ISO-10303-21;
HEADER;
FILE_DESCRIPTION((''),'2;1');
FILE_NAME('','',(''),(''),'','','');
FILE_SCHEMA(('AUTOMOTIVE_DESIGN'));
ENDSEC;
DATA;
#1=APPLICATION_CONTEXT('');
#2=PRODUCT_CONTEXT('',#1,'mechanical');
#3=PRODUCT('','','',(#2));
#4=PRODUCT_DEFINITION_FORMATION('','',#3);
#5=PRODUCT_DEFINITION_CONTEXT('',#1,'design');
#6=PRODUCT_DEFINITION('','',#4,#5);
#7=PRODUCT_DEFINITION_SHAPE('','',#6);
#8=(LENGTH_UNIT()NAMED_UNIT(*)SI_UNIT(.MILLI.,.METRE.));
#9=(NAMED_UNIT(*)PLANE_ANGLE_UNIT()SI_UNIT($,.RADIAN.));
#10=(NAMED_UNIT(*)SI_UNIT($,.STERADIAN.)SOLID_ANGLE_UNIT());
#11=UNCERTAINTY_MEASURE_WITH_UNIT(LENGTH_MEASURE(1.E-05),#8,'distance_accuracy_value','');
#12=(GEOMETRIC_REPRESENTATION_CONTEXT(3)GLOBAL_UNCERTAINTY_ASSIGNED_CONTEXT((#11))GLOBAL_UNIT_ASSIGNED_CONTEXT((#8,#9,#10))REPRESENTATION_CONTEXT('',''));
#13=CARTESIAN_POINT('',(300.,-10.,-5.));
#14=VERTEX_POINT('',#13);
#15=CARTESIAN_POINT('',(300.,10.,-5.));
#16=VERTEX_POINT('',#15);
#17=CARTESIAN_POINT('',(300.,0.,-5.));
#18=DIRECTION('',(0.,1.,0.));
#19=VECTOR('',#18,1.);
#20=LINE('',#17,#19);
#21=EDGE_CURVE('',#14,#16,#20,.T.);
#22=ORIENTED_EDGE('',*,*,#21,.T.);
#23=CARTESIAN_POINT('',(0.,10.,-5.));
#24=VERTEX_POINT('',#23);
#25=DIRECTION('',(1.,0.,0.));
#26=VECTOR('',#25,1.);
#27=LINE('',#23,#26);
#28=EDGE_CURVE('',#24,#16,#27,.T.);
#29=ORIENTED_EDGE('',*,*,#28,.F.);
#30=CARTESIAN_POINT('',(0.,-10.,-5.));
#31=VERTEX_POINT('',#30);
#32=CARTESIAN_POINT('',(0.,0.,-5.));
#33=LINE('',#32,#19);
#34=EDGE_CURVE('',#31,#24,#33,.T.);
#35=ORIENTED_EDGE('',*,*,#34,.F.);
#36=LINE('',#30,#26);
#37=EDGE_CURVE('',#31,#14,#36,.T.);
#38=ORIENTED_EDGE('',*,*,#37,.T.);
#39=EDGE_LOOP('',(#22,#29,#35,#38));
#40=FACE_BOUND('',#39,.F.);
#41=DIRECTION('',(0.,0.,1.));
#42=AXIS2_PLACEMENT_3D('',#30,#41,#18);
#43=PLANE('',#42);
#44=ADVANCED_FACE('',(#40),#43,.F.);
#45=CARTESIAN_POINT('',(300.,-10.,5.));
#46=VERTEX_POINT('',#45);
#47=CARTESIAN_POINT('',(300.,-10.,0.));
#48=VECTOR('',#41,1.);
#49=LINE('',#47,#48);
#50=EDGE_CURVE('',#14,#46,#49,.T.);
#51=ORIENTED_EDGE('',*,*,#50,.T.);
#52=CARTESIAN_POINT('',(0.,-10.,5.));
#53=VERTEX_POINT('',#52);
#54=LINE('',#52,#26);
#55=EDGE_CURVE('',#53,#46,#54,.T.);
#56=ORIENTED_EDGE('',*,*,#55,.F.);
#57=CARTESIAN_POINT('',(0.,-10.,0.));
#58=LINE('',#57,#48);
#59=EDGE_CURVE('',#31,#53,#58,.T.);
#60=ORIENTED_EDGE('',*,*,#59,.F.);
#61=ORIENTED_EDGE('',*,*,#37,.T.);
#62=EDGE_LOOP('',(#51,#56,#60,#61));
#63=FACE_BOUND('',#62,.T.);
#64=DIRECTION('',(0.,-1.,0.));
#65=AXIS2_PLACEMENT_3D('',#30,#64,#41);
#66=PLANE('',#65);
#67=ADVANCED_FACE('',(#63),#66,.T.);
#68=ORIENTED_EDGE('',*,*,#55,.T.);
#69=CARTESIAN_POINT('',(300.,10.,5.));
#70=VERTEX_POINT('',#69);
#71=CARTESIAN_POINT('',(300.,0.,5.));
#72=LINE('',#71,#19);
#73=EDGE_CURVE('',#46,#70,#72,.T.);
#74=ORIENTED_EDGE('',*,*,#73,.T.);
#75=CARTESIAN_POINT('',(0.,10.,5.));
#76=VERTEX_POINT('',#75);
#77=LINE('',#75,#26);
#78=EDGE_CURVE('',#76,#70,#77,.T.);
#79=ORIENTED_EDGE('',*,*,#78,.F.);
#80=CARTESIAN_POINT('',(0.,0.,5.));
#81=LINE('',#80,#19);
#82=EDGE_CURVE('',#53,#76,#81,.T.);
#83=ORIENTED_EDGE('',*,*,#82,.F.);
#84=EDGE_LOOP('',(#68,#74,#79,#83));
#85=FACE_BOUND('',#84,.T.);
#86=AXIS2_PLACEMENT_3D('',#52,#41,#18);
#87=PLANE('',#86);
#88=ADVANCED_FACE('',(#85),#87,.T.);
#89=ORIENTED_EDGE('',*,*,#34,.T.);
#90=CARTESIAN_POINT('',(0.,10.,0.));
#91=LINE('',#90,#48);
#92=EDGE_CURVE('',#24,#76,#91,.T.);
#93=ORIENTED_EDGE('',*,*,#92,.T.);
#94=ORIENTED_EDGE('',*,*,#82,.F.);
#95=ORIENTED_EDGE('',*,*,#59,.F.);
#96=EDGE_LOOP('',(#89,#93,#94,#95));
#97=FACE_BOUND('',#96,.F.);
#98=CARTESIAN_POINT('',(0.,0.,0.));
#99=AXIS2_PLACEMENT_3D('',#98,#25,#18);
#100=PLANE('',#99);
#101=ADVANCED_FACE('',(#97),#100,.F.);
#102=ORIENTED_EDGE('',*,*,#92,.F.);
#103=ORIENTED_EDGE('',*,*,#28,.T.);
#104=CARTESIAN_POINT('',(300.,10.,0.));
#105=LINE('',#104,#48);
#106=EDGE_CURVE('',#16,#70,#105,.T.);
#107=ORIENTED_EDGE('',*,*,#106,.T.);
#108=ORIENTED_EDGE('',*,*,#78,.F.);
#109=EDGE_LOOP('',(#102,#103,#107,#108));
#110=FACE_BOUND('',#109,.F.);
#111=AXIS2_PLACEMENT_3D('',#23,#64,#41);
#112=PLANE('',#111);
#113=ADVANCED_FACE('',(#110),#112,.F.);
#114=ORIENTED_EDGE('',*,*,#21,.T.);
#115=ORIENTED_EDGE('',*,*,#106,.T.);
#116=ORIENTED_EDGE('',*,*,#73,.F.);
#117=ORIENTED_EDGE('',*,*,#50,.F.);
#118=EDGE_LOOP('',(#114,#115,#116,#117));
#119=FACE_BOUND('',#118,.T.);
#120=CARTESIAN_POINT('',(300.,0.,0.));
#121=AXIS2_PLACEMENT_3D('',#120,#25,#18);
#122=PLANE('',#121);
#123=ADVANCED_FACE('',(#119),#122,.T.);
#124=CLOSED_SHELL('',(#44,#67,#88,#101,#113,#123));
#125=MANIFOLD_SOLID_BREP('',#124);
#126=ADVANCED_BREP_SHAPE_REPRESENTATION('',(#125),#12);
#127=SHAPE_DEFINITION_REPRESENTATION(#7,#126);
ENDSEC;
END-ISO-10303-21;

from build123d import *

# Parameters (mm, degrees)
SKETCH_W  = 20
SKETCH_H  = 10
PAD_DEPTH = 300


with BuildPart() as part:
    # Sketch → Pad (new body)
    with BuildSketch(Plane.YZ):
        Rectangle(SKETCH_W, SKETCH_H)
    extrude(amount=PAD_DEPTH)


solid = part.part
